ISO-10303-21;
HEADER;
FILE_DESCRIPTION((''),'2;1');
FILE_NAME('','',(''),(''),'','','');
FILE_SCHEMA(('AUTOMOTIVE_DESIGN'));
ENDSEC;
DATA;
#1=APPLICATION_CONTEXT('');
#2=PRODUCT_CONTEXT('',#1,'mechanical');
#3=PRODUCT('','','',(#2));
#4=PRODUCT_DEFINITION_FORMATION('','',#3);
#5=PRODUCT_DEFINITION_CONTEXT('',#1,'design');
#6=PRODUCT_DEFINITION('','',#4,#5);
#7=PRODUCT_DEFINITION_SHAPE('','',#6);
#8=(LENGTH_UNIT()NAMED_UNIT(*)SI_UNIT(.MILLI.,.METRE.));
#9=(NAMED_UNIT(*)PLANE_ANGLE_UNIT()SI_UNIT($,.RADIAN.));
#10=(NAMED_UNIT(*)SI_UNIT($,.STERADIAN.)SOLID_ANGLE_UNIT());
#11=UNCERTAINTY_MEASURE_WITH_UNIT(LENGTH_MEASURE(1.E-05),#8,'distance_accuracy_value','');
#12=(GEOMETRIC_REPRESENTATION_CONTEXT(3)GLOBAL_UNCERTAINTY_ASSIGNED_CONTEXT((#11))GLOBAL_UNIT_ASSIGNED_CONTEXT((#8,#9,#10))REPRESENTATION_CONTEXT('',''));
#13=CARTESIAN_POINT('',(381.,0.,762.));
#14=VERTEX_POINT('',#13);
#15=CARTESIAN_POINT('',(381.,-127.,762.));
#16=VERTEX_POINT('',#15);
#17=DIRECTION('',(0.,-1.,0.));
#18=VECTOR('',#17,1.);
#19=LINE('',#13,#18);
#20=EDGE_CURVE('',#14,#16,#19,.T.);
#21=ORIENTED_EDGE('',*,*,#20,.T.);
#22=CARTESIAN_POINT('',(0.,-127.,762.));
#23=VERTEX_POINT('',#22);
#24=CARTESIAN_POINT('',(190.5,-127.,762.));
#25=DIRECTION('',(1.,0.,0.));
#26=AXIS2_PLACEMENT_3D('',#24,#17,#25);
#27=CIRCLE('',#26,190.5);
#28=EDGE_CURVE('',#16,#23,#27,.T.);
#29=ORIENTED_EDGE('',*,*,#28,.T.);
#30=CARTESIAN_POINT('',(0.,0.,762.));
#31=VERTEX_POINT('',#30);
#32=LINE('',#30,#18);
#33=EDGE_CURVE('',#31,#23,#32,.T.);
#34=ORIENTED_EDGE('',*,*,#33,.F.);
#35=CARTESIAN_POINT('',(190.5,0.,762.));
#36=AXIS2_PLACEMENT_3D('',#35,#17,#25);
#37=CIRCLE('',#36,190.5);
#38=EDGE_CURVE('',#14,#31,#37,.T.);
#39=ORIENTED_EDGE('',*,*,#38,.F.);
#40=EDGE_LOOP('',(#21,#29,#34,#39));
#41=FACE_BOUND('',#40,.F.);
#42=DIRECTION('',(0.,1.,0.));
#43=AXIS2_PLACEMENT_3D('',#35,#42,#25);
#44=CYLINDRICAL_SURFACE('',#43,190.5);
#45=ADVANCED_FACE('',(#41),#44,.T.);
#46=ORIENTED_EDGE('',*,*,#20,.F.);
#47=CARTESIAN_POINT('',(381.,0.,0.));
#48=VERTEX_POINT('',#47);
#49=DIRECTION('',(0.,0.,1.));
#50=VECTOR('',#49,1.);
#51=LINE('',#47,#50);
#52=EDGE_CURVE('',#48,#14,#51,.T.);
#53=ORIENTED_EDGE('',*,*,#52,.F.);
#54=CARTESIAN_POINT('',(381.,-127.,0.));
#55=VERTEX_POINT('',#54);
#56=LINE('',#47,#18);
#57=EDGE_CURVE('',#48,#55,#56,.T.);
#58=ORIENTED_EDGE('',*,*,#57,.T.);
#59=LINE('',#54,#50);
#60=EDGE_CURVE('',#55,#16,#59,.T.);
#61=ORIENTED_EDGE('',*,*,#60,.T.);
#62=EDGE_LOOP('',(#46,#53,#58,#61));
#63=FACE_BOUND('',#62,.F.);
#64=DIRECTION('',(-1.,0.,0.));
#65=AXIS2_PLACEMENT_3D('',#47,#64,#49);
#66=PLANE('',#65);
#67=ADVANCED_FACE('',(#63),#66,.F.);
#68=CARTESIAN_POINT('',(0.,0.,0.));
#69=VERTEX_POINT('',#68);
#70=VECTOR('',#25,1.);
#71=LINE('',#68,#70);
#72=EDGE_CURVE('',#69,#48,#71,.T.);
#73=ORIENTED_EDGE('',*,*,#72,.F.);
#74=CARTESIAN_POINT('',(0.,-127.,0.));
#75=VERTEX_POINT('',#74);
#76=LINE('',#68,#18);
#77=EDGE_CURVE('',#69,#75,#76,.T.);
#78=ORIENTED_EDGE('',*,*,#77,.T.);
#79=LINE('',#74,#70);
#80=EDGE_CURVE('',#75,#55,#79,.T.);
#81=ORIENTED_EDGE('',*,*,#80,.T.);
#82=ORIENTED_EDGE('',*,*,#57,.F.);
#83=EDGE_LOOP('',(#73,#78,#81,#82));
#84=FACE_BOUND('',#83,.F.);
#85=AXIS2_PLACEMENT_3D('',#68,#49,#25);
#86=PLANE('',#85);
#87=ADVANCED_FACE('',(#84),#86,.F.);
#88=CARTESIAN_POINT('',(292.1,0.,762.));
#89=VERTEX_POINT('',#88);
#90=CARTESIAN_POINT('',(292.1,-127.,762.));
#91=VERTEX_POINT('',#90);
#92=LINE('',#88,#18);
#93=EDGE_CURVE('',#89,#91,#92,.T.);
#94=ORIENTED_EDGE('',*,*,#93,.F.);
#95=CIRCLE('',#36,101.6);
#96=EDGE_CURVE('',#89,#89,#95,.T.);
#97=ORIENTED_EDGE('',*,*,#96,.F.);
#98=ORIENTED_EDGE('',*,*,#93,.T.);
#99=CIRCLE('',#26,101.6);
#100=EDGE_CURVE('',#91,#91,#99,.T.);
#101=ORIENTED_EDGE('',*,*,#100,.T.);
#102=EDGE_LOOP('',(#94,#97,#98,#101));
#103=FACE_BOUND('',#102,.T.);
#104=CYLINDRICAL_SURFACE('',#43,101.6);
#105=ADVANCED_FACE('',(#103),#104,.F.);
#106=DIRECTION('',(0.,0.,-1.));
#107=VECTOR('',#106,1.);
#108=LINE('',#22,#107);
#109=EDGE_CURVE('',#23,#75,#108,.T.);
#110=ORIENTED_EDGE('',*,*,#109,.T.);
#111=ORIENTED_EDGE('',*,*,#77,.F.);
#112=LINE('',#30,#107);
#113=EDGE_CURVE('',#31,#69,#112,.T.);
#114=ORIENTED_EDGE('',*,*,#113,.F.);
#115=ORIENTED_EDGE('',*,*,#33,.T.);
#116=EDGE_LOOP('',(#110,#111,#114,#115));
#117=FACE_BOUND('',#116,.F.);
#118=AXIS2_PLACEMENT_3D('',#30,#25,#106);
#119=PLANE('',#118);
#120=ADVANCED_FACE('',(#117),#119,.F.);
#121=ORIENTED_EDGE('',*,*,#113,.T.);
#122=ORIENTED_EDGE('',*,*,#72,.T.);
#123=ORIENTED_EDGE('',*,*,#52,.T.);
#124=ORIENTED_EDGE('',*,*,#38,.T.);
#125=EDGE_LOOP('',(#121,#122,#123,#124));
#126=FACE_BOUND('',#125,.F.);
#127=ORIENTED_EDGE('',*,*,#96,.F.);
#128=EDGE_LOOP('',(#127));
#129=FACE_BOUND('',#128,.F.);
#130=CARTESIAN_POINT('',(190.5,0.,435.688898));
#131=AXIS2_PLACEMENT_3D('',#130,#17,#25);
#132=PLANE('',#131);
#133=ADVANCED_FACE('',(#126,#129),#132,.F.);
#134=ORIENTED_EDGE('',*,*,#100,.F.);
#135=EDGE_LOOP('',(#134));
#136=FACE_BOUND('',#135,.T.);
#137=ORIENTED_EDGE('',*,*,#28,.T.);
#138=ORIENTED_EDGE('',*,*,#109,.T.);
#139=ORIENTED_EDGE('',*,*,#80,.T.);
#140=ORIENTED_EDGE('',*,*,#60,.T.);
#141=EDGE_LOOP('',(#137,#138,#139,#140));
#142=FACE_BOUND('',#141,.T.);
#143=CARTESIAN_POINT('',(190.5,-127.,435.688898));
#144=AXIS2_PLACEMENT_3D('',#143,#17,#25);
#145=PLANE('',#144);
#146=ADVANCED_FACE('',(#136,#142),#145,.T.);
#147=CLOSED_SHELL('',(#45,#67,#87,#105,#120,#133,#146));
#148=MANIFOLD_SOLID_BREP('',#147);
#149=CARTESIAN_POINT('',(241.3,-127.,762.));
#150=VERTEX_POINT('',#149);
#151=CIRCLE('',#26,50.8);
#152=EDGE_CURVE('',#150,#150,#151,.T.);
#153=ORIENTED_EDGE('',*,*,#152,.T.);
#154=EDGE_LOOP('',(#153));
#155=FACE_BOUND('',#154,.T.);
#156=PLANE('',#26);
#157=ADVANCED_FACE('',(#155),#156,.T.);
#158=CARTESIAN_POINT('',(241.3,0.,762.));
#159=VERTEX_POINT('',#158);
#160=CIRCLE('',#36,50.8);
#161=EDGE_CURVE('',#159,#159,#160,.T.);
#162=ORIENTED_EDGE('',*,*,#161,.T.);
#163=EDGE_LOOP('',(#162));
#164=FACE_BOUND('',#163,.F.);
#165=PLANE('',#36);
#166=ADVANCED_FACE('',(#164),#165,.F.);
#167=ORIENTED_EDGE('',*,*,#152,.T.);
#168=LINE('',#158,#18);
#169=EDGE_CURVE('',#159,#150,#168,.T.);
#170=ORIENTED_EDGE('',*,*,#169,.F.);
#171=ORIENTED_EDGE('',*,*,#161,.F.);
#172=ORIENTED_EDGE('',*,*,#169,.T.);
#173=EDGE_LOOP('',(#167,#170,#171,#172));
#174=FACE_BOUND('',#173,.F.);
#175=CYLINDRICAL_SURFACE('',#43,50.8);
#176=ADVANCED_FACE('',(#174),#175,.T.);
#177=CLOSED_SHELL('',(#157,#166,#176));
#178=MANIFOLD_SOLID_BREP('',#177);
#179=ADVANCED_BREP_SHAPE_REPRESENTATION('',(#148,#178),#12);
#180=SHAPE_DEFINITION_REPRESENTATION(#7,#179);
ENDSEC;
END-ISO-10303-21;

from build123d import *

# Parameters (mm, degrees)
F0_R     = 101.6
F0_R_2   = 50.8
F1_DEPTH = 127


with BuildPart() as f1:
    # F0 (on Front) → F1 (new body)
    with BuildSketch(Plane.XZ):
        with BuildLine():
            Line((0, 762), (0, 0))
            Line((0, 0), (381, 0))
            Line((381, 0), (381, 762))
            ThreePointArc((381, 762), (190.5, 952.5), (0, 762))
        make_face()
        with Locations((190.5, 762)):
            Circle(F0_R, mode=Mode.SUBTRACT)
        with Locations((190.5, 762)):
            Circle(F0_R_2)
    extrude(amount=F1_DEPTH)


solid = f1.part
